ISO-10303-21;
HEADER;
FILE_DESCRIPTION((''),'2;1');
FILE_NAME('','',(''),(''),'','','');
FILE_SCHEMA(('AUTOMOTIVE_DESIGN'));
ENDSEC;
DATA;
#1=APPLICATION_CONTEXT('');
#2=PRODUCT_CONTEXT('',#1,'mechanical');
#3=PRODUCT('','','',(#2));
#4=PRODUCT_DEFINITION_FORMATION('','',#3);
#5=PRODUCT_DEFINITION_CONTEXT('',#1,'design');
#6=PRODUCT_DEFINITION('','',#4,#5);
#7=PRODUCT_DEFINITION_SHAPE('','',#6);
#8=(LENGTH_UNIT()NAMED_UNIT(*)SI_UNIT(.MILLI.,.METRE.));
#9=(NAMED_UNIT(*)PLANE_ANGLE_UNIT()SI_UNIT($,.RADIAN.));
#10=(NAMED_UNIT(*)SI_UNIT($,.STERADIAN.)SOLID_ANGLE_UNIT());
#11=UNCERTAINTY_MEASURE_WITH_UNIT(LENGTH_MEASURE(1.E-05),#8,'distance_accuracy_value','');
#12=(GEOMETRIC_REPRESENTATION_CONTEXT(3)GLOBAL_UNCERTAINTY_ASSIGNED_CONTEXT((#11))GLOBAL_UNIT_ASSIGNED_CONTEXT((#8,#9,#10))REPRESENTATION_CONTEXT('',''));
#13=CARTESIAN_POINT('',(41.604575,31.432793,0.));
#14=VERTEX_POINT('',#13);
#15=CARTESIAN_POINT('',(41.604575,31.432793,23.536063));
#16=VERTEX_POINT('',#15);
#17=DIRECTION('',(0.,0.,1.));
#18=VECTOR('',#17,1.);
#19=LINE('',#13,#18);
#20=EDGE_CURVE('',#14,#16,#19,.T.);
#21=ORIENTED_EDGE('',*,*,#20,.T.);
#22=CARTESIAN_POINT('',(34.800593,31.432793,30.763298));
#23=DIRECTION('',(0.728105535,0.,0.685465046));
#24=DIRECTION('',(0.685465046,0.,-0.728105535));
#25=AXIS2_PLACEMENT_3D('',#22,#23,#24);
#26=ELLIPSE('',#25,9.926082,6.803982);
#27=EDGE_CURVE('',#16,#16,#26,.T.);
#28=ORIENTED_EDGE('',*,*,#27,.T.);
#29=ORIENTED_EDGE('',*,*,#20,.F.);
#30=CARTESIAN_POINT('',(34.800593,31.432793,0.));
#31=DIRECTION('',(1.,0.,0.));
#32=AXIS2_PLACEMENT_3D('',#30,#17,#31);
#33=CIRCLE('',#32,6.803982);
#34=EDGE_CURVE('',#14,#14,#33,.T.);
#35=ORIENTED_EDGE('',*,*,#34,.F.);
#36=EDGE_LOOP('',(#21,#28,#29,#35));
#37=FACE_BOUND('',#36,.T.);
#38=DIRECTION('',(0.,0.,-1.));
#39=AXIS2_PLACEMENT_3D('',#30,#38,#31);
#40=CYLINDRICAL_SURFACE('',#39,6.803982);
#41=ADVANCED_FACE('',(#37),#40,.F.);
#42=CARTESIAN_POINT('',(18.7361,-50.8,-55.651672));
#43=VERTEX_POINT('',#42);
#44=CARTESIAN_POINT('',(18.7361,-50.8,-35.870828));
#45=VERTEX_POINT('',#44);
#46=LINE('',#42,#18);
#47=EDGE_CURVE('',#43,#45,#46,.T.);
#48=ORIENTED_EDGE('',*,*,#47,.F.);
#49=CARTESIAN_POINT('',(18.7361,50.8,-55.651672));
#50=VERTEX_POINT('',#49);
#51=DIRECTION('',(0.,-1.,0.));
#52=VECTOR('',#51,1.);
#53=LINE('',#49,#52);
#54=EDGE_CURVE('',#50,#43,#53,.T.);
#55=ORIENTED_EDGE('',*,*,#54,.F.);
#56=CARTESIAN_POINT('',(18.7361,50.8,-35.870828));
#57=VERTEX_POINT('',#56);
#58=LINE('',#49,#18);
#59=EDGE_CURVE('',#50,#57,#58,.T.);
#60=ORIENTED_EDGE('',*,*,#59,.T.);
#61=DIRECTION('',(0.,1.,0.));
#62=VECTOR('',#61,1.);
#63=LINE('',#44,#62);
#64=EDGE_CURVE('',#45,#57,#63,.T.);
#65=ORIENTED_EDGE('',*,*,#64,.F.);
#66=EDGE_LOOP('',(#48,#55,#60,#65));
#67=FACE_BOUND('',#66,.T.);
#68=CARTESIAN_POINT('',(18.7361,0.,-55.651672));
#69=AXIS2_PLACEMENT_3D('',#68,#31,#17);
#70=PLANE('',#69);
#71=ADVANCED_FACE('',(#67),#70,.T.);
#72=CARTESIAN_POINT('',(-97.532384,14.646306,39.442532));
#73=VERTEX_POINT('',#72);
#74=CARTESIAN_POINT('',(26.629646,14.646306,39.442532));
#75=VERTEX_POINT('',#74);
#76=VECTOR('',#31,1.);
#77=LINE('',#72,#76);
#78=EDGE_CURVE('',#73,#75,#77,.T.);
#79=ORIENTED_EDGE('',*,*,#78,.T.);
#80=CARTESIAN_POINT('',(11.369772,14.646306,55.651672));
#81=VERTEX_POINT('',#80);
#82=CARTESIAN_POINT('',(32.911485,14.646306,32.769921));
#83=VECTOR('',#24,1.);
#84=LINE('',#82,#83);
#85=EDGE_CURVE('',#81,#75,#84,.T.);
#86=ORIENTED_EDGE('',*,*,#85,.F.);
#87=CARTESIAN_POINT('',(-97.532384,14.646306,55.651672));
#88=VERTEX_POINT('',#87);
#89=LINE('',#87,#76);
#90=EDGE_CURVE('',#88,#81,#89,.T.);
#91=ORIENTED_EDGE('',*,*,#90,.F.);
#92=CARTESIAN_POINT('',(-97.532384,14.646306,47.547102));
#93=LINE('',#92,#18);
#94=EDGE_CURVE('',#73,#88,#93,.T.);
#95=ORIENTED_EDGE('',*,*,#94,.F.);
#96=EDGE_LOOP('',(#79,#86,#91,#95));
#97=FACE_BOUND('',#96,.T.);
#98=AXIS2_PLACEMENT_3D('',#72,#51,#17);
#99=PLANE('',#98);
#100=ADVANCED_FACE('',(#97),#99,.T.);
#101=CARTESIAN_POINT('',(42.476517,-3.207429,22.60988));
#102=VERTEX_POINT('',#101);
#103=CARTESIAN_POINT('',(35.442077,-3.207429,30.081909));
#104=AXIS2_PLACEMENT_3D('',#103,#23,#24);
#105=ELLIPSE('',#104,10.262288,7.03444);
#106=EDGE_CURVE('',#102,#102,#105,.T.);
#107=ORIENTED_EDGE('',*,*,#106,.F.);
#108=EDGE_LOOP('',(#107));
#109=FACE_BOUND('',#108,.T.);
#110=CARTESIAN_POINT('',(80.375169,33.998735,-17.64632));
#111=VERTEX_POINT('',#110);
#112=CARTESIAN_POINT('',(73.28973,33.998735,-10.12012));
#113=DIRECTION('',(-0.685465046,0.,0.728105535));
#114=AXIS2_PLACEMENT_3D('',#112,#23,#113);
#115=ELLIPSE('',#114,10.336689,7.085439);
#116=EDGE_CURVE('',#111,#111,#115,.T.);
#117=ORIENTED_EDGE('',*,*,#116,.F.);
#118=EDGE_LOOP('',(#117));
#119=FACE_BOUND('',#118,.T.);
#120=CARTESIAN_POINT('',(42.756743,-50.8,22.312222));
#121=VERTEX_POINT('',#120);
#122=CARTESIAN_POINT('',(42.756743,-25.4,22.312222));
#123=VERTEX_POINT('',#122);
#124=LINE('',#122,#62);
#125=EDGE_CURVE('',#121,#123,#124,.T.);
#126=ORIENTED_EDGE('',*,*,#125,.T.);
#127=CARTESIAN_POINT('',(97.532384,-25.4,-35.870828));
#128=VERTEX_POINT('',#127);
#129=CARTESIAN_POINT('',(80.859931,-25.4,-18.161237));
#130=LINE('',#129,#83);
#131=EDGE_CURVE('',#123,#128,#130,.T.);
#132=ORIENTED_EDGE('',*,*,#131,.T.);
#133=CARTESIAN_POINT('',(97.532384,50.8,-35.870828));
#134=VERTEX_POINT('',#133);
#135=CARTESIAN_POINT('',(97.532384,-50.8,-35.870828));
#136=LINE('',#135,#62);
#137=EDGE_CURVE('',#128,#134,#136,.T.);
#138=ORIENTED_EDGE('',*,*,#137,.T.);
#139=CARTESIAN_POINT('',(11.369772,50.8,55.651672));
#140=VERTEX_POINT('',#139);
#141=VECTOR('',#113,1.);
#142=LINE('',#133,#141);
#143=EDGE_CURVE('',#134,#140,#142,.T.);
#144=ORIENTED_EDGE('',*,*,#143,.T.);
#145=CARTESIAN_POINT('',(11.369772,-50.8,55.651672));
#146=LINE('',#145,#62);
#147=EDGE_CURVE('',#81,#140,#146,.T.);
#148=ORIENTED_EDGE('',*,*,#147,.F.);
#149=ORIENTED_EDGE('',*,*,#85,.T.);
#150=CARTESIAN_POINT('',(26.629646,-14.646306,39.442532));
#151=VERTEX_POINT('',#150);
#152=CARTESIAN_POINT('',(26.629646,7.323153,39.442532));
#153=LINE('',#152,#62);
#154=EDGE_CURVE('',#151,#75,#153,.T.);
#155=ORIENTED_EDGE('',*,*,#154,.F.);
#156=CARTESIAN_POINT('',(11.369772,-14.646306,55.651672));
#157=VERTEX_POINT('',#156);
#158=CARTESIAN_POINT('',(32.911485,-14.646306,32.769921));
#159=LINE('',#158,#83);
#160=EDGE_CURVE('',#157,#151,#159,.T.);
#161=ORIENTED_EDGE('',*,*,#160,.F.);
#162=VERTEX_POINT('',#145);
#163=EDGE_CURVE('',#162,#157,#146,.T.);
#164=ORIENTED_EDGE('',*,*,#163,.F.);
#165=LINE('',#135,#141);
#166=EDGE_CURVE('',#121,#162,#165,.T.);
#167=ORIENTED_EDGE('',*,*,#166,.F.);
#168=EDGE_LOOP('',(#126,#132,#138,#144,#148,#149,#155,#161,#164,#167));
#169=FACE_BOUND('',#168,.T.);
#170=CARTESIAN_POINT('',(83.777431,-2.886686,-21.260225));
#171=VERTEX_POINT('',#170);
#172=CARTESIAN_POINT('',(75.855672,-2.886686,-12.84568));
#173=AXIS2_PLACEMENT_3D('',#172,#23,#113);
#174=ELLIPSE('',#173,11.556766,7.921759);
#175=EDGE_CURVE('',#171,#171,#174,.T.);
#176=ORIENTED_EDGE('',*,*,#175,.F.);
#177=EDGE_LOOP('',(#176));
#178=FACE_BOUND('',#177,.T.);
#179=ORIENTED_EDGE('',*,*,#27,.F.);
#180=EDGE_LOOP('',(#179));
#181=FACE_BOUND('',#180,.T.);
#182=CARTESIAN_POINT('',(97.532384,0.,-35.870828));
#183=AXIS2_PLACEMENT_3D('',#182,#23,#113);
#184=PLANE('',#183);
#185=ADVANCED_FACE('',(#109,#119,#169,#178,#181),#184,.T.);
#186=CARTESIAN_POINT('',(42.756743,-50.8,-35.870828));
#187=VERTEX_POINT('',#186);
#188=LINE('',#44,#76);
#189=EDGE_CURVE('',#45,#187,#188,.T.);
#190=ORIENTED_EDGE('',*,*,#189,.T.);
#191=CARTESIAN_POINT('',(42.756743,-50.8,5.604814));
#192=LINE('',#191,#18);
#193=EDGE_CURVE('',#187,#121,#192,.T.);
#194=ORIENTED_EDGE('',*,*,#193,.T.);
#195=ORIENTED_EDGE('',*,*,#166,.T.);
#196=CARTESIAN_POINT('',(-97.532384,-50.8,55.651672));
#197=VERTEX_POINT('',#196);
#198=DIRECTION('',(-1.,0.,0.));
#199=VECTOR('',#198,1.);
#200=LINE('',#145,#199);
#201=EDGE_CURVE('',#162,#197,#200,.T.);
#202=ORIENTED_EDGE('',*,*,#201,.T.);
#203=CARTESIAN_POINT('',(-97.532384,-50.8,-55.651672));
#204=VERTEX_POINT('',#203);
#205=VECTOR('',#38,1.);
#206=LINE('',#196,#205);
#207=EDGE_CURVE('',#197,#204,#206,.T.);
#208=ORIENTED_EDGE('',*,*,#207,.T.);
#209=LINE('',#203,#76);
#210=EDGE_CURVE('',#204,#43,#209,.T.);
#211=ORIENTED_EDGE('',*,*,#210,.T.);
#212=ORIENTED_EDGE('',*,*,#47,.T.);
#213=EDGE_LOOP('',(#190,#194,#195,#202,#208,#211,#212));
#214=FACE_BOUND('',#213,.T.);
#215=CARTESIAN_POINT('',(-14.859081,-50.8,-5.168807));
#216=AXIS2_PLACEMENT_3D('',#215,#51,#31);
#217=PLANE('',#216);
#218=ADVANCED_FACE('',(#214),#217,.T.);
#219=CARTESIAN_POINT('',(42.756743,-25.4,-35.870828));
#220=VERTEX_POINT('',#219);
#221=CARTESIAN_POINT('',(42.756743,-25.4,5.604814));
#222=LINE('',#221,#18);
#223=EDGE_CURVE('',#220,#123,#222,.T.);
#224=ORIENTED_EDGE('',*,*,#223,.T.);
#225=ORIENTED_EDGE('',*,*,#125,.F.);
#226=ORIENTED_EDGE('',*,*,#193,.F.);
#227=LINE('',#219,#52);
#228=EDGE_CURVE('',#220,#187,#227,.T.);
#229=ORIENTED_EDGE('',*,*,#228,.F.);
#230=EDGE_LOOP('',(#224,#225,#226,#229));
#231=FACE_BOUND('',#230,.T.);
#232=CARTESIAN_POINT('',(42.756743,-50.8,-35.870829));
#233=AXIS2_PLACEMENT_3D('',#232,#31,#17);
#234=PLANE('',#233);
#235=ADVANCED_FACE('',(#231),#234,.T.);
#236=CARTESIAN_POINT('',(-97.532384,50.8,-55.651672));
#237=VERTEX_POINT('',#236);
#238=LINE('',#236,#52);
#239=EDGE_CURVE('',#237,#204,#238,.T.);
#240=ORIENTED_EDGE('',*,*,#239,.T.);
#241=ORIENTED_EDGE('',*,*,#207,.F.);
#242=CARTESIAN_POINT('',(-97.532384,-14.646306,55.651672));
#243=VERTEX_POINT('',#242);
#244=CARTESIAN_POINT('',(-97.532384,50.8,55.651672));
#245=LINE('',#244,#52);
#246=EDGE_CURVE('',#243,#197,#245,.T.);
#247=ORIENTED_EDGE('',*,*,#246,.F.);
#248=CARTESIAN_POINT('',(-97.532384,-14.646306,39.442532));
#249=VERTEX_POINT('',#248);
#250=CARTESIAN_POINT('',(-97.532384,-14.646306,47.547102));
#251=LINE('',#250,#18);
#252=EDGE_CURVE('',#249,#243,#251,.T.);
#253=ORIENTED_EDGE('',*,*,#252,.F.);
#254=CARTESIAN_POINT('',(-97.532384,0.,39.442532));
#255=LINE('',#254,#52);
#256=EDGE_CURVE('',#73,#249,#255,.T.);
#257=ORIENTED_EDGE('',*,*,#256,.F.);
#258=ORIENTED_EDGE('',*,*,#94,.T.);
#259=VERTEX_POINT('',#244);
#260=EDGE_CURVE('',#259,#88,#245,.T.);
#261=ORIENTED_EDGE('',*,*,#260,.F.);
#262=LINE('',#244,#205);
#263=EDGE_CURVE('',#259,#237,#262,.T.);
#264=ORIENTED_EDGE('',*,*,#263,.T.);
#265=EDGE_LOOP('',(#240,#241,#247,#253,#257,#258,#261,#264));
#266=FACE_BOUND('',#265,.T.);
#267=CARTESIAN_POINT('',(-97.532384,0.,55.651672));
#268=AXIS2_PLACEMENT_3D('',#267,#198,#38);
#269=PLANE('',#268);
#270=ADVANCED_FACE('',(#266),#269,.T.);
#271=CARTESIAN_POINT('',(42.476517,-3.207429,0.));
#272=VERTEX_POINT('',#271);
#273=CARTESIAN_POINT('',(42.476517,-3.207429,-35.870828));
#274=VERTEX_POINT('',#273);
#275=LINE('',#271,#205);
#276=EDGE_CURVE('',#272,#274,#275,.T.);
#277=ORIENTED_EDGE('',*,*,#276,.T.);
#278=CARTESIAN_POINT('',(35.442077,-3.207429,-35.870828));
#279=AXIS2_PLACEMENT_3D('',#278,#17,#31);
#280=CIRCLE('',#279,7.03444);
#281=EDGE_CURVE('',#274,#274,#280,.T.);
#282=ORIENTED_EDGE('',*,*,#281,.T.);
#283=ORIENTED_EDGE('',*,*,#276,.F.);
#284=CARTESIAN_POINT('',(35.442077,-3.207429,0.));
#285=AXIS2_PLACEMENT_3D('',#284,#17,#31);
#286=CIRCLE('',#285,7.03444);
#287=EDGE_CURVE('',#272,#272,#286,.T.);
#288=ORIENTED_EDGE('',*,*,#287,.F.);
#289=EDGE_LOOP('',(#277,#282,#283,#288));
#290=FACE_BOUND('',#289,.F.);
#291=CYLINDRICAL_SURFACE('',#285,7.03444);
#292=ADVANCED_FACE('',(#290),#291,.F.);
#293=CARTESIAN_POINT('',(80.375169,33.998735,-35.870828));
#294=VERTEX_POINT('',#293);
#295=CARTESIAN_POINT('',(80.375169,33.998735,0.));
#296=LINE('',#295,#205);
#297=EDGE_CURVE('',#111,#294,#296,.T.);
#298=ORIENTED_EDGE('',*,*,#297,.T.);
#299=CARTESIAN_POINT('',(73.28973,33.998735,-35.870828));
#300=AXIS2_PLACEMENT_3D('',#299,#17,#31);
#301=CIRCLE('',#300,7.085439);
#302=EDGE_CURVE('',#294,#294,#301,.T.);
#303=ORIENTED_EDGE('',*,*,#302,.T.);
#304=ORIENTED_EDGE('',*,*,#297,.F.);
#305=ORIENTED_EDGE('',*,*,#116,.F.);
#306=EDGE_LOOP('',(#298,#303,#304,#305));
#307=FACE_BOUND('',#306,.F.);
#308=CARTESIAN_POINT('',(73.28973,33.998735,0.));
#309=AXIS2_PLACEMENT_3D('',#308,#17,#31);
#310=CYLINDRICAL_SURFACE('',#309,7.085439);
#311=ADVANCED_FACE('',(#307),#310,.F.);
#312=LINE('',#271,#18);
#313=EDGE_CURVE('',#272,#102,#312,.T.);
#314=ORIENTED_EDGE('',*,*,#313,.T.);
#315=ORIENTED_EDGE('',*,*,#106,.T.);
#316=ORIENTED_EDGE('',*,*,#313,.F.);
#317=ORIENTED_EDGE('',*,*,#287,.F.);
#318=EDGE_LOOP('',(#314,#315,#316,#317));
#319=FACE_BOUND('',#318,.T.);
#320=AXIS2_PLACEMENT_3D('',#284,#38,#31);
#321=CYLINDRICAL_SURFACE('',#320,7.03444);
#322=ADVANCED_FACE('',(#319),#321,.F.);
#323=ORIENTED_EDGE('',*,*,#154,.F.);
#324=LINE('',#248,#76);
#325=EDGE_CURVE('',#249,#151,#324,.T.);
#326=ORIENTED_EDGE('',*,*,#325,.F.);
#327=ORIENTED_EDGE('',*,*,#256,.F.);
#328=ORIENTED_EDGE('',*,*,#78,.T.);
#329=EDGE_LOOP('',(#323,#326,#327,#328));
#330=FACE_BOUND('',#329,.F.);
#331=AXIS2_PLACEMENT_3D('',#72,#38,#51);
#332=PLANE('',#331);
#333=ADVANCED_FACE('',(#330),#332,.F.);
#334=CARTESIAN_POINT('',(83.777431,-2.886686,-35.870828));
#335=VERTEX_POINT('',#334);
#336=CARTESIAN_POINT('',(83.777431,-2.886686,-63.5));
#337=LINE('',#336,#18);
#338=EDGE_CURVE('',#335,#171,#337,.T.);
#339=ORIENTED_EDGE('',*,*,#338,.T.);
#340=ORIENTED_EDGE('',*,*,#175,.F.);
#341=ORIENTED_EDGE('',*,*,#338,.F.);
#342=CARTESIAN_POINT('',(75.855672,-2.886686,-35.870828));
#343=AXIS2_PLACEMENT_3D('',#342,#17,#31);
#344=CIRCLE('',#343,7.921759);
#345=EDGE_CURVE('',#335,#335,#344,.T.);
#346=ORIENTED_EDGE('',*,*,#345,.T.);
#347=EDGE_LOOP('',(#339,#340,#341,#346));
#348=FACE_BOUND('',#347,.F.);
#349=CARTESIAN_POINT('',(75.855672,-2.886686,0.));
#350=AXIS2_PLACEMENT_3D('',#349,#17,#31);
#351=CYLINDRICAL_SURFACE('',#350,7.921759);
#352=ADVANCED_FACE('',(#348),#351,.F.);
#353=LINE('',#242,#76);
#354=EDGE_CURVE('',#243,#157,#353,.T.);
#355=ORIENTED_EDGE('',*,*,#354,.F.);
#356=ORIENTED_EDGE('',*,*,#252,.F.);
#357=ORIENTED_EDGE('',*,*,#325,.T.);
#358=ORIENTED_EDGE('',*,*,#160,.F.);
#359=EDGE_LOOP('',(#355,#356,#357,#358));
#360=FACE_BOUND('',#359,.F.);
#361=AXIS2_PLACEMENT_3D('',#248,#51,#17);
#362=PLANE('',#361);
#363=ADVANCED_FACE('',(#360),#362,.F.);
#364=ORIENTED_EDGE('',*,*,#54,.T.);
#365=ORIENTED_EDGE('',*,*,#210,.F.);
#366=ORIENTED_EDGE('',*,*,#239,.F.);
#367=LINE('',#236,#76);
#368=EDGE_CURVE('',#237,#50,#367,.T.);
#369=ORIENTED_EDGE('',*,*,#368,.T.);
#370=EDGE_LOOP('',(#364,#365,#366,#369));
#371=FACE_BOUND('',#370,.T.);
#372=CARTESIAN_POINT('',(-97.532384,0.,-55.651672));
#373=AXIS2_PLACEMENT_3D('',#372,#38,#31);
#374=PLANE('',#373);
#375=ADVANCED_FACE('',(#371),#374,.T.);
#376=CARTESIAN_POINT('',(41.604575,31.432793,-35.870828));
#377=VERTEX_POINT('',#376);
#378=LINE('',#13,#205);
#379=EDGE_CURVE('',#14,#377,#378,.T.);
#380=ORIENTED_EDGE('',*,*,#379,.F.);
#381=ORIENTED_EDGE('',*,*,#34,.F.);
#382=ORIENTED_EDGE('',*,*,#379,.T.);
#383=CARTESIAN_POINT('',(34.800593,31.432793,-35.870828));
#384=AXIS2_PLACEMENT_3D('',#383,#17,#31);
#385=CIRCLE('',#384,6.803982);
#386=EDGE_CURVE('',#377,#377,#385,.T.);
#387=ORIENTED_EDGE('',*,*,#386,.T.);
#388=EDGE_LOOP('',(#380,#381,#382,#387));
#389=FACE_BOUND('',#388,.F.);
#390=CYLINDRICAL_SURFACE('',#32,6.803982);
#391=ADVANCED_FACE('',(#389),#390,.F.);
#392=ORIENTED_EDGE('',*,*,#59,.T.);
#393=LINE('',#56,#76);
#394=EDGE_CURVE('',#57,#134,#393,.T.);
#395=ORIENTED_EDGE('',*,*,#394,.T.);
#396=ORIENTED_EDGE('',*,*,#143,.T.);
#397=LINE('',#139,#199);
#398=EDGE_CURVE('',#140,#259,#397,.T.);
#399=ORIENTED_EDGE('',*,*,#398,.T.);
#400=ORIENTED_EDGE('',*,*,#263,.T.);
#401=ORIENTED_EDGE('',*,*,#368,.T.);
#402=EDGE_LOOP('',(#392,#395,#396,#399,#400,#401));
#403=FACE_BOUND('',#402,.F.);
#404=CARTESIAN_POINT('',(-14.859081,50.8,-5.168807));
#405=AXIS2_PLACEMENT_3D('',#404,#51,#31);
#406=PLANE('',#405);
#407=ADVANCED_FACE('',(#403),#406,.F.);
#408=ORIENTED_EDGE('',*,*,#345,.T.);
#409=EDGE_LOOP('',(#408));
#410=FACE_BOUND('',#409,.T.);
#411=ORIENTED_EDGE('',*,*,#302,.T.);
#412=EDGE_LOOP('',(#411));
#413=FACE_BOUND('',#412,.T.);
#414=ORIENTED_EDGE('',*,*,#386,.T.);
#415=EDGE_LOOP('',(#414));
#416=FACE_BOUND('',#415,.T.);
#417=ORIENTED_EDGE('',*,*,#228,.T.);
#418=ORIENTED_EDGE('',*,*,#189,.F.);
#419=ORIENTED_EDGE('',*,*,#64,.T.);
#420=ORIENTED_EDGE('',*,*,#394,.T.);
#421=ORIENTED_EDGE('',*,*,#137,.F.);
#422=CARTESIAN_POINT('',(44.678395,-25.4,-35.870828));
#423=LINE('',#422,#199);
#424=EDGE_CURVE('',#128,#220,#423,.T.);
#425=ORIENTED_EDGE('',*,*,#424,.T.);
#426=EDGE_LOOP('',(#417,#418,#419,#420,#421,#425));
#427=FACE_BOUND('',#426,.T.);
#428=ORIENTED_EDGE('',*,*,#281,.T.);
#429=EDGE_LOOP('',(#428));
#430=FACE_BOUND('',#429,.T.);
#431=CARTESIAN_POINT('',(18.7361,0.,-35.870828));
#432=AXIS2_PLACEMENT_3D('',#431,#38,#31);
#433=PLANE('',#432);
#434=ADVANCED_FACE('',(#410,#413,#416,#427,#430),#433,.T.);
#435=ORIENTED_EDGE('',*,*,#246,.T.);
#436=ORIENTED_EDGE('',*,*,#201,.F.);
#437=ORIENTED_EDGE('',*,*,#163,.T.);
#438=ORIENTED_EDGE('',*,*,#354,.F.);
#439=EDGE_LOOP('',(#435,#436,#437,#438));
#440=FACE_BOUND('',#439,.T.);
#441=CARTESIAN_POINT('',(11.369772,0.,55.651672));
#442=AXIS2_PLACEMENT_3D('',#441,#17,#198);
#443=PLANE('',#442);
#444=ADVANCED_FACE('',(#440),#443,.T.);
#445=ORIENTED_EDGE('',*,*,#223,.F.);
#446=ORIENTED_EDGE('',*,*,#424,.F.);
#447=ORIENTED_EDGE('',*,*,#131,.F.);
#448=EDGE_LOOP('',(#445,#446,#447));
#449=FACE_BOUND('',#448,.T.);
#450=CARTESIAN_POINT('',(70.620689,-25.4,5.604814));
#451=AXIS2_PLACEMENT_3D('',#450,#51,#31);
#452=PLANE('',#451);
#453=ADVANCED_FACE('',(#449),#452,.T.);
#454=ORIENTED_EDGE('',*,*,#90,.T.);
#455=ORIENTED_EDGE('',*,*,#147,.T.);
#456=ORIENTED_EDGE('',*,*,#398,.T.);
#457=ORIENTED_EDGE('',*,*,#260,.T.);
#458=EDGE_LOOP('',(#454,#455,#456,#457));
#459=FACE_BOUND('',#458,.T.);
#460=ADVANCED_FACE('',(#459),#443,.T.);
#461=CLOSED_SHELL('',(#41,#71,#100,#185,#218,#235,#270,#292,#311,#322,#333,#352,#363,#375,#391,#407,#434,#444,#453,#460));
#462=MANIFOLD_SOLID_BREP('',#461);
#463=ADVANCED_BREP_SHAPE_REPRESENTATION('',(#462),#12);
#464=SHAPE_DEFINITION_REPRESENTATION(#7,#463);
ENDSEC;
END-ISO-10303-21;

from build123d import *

# Parameters (mm, degrees)
F1_DEPTH = 50.8
F2_W     = 55.727891
F2_H     = 82.951285
F3_DEPTH = 25.4
F4_R     = 6.803982
F4_R_2   = 7.03444
F4_R_3   = 7.085439
F4_R_4   = 7.921759
F5_DEPTH = 63.5
F6_W     = 29.292612
F6_H     = 16.20914
F7_DEPTH = 174.244


with BuildPart() as f1:
    # F0 (on Front) → F1 (new body, symmetric)
    with BuildSketch(Plane.XZ):
        Polygon((11.369772, 55.651672), (-97.532384, 55.651672), (-97.532384, -55.651672), (18.7361, -55.651672), (18.7361, -35.870828), (97.532384, -35.870828), align=None)
    extrude(amount=F1_DEPTH, both=True)

    # F2 (on face) → F3 (cut)
    with BuildSketch(Plane.XZ.offset(50.8)):
        with Locations((70.620689, 5.604814)):
            Rectangle(F2_W, F2_H)
    extrude(amount=-F3_DEPTH, mode=Mode.SUBTRACT)

    # F4 (on Top) → F5 (cut, symmetric)
    with BuildSketch(Plane.XY):
        with Locations((34.800593, 31.432793)):
            Circle(F4_R)
        with Locations((35.442077, -3.207429)):
            Circle(F4_R_2)
        with Locations((73.28973, 33.998735)):
            Circle(F4_R_3)
        with Locations((75.855672, -2.886686)):
            Circle(F4_R_4)
    extrude(amount=F5_DEPTH, both=True, mode=Mode.SUBTRACT)

    # F6 (on face) → F7 (cut)
    with BuildSketch(Plane(origin=(-97.532384, 0, 0), x_dir=(0, -1, 0), z_dir=(-1, 0, 0))):
        with Locations((0, 47.547102)):
            Rectangle(F6_W, F6_H)
    extrude(amount=-F7_DEPTH, mode=Mode.SUBTRACT)


solid = f1.part
